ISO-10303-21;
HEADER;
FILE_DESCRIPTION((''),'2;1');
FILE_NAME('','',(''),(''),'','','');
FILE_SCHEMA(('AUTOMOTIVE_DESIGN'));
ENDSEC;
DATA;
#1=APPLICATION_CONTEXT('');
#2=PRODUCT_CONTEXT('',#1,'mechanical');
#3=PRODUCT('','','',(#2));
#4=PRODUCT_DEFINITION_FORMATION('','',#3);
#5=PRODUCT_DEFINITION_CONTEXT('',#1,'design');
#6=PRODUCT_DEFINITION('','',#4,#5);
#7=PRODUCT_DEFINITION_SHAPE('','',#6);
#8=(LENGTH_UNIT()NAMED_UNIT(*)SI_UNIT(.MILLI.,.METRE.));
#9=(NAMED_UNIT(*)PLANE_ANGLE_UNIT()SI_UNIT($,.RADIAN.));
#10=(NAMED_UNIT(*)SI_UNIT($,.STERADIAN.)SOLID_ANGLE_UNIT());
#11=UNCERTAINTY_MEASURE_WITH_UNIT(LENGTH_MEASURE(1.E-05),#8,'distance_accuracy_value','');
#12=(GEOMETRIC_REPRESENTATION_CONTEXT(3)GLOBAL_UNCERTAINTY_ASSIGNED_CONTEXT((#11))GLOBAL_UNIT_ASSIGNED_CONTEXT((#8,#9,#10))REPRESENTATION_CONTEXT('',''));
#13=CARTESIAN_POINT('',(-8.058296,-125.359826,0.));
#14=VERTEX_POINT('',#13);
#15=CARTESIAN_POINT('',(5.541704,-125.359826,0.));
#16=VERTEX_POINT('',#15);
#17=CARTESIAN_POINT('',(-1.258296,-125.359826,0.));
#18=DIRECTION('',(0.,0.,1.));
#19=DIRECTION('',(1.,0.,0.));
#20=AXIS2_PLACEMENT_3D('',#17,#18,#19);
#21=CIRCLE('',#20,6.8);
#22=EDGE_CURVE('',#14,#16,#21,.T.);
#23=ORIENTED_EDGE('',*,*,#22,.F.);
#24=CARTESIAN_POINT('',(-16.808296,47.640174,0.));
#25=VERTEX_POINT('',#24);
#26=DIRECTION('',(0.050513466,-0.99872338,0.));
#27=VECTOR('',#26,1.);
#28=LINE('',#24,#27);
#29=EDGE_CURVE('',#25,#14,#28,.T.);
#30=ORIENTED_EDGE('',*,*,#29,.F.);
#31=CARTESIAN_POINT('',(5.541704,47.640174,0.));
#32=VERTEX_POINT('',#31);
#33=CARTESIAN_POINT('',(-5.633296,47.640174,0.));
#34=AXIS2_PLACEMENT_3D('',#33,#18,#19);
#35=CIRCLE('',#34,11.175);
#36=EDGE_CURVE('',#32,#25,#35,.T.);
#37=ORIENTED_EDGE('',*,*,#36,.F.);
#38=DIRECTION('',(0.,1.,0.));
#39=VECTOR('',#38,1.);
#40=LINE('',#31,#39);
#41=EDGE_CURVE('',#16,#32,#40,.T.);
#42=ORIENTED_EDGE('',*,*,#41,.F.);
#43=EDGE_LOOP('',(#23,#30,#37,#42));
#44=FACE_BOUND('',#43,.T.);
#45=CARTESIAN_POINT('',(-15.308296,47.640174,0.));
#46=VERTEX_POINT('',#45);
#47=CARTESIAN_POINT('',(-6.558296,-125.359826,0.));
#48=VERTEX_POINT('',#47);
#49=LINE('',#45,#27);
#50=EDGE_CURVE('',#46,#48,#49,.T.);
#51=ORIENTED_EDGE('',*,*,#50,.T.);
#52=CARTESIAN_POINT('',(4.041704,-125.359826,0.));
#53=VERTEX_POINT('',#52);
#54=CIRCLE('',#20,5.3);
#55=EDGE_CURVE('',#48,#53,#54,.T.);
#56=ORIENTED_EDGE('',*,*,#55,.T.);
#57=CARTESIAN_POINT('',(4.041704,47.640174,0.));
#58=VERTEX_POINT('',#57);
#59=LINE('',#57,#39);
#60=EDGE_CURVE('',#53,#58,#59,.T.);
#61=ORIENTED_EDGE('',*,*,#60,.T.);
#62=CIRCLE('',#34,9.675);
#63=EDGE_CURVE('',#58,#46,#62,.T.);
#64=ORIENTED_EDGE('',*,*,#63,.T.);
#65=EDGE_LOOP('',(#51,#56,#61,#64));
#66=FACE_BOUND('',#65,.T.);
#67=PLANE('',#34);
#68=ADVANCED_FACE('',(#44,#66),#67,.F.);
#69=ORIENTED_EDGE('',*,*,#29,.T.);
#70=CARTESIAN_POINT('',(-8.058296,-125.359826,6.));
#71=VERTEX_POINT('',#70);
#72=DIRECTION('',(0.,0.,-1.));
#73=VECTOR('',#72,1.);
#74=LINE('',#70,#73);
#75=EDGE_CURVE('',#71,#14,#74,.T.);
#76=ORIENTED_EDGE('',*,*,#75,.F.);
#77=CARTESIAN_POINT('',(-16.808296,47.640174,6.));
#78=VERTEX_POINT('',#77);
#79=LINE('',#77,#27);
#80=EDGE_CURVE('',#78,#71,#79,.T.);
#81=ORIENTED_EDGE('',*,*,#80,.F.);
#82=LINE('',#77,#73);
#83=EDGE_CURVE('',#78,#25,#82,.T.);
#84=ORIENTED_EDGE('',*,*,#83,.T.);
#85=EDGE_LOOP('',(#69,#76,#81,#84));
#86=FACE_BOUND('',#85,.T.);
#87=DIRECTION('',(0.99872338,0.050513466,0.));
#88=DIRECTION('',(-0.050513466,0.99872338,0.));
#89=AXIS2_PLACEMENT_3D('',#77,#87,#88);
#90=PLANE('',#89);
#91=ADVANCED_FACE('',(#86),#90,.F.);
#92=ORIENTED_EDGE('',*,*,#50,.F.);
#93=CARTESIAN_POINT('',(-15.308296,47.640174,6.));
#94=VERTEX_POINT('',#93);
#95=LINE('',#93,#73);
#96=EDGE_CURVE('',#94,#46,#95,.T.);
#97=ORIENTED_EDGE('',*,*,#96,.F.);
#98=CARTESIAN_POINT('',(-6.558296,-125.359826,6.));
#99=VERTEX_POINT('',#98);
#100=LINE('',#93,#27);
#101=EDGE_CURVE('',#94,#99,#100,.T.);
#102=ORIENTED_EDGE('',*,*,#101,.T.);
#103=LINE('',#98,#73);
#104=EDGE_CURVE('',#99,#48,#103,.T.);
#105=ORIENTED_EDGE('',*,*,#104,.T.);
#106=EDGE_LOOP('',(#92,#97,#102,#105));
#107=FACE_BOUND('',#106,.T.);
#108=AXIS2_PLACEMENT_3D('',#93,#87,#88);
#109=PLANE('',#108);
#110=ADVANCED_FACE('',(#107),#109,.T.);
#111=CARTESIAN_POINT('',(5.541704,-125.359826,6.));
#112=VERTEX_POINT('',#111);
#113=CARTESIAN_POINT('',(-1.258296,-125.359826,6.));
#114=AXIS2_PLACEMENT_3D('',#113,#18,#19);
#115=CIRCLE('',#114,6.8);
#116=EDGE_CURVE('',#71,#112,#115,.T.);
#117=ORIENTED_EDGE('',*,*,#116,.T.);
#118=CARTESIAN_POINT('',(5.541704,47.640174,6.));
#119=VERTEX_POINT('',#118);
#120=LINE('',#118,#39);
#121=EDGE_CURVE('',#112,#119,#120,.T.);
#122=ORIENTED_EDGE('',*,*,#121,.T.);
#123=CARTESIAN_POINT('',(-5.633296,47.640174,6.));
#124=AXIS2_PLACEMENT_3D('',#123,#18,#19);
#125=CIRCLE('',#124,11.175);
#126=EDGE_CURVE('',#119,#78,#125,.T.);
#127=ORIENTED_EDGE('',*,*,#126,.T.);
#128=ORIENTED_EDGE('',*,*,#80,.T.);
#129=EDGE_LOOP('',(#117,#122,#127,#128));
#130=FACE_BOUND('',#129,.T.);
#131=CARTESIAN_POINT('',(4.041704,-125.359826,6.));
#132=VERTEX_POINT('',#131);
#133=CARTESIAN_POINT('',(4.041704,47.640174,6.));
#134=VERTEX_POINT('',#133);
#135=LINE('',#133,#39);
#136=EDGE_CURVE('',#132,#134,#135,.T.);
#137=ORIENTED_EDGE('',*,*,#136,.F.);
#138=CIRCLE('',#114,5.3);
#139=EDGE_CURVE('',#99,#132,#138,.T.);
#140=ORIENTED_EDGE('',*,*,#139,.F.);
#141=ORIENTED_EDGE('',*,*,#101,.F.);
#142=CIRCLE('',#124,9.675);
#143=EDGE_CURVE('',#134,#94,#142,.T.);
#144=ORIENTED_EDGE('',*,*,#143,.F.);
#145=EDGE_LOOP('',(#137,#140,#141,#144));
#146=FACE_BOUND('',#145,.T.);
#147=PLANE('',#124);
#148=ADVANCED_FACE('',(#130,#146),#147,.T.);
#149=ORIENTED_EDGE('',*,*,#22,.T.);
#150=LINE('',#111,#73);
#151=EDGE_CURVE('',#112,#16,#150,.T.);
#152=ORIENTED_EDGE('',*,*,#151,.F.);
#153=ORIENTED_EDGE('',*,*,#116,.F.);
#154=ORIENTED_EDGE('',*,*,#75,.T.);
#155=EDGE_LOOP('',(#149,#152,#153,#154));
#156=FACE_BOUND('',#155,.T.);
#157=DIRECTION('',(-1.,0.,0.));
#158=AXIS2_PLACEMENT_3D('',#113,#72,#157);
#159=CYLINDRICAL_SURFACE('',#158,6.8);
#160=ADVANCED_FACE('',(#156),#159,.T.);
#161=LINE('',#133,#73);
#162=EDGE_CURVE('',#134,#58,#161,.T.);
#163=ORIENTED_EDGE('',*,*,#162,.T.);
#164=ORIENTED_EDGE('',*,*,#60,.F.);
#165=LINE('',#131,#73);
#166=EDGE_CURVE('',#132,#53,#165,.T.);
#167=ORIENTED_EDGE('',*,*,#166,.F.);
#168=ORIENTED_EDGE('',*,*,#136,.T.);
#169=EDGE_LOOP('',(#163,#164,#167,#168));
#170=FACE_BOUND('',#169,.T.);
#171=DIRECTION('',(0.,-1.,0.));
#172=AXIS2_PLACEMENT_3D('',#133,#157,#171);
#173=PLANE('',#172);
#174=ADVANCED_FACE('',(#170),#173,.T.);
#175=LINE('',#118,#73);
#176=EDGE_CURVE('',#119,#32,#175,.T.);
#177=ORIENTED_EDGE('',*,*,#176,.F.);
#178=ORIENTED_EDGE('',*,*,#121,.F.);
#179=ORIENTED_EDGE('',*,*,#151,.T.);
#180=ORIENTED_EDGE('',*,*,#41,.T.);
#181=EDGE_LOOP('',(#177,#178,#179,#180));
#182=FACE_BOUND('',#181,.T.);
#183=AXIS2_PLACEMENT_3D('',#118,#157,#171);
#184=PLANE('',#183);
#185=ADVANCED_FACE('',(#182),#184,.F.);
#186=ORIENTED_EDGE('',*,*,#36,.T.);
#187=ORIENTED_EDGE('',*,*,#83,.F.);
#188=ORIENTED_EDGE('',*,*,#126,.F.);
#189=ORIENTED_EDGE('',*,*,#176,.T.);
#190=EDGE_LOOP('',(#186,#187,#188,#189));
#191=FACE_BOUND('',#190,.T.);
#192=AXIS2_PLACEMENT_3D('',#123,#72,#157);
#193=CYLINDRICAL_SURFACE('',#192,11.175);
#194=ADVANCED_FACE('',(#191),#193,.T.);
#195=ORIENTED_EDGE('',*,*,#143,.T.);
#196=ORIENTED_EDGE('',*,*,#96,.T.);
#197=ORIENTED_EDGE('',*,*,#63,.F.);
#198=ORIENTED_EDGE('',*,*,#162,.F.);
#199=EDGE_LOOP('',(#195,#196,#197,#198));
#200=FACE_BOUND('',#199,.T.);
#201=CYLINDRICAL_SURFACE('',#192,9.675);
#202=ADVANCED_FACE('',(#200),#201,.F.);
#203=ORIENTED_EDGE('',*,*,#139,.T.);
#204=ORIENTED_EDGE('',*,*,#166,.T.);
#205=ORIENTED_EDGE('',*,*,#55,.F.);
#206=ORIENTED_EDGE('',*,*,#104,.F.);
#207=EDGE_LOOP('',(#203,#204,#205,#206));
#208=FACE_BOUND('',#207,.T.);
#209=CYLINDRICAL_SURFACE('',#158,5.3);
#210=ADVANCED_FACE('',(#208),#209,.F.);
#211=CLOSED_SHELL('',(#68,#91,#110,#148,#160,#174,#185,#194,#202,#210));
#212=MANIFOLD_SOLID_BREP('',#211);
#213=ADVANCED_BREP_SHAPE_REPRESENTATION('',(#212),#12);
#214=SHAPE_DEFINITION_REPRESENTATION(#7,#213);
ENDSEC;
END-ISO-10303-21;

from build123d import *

# Parameters (mm, degrees)
EXTRUSION1_DEPTH = 6


with BuildPart() as part:
    # Esquisse1 → Extrusion1 (new body)
    with BuildSketch(Plane.XY):
        with BuildLine():
            Line((5.541704484, 47.640174037), (5.541704484, -125.359825963))
            ThreePointArc((5.541704484, -125.359825963), (-1.258295516, -132.159825963), (-8.058295516, -125.359825963))
            Line((-8.058295516, -125.359825963), (-16.808295516, 47.640174037))
            ThreePointArc((-16.808295516, 47.640174037), (-5.633295516, 58.815174037), (5.541704484, 47.640174037))
        make_face()
        with BuildLine():
            Line((4.041704484, 47.640174037), (4.041704484, -125.359825963))
            ThreePointArc((4.041704484, -125.359825963), (-1.258295516, -130.659825963), (-6.558295516, -125.359825963))
            Line((-6.558295516, -125.359825963), (-15.308295516, 47.640174037))
            ThreePointArc((-15.308295516, 47.640174037), (-5.633295516, 57.315174037), (4.041704484, 47.640174037))
        make_face(mode=Mode.SUBTRACT)
    extrude(amount=EXTRUSION1_DEPTH)


solid = part.part
